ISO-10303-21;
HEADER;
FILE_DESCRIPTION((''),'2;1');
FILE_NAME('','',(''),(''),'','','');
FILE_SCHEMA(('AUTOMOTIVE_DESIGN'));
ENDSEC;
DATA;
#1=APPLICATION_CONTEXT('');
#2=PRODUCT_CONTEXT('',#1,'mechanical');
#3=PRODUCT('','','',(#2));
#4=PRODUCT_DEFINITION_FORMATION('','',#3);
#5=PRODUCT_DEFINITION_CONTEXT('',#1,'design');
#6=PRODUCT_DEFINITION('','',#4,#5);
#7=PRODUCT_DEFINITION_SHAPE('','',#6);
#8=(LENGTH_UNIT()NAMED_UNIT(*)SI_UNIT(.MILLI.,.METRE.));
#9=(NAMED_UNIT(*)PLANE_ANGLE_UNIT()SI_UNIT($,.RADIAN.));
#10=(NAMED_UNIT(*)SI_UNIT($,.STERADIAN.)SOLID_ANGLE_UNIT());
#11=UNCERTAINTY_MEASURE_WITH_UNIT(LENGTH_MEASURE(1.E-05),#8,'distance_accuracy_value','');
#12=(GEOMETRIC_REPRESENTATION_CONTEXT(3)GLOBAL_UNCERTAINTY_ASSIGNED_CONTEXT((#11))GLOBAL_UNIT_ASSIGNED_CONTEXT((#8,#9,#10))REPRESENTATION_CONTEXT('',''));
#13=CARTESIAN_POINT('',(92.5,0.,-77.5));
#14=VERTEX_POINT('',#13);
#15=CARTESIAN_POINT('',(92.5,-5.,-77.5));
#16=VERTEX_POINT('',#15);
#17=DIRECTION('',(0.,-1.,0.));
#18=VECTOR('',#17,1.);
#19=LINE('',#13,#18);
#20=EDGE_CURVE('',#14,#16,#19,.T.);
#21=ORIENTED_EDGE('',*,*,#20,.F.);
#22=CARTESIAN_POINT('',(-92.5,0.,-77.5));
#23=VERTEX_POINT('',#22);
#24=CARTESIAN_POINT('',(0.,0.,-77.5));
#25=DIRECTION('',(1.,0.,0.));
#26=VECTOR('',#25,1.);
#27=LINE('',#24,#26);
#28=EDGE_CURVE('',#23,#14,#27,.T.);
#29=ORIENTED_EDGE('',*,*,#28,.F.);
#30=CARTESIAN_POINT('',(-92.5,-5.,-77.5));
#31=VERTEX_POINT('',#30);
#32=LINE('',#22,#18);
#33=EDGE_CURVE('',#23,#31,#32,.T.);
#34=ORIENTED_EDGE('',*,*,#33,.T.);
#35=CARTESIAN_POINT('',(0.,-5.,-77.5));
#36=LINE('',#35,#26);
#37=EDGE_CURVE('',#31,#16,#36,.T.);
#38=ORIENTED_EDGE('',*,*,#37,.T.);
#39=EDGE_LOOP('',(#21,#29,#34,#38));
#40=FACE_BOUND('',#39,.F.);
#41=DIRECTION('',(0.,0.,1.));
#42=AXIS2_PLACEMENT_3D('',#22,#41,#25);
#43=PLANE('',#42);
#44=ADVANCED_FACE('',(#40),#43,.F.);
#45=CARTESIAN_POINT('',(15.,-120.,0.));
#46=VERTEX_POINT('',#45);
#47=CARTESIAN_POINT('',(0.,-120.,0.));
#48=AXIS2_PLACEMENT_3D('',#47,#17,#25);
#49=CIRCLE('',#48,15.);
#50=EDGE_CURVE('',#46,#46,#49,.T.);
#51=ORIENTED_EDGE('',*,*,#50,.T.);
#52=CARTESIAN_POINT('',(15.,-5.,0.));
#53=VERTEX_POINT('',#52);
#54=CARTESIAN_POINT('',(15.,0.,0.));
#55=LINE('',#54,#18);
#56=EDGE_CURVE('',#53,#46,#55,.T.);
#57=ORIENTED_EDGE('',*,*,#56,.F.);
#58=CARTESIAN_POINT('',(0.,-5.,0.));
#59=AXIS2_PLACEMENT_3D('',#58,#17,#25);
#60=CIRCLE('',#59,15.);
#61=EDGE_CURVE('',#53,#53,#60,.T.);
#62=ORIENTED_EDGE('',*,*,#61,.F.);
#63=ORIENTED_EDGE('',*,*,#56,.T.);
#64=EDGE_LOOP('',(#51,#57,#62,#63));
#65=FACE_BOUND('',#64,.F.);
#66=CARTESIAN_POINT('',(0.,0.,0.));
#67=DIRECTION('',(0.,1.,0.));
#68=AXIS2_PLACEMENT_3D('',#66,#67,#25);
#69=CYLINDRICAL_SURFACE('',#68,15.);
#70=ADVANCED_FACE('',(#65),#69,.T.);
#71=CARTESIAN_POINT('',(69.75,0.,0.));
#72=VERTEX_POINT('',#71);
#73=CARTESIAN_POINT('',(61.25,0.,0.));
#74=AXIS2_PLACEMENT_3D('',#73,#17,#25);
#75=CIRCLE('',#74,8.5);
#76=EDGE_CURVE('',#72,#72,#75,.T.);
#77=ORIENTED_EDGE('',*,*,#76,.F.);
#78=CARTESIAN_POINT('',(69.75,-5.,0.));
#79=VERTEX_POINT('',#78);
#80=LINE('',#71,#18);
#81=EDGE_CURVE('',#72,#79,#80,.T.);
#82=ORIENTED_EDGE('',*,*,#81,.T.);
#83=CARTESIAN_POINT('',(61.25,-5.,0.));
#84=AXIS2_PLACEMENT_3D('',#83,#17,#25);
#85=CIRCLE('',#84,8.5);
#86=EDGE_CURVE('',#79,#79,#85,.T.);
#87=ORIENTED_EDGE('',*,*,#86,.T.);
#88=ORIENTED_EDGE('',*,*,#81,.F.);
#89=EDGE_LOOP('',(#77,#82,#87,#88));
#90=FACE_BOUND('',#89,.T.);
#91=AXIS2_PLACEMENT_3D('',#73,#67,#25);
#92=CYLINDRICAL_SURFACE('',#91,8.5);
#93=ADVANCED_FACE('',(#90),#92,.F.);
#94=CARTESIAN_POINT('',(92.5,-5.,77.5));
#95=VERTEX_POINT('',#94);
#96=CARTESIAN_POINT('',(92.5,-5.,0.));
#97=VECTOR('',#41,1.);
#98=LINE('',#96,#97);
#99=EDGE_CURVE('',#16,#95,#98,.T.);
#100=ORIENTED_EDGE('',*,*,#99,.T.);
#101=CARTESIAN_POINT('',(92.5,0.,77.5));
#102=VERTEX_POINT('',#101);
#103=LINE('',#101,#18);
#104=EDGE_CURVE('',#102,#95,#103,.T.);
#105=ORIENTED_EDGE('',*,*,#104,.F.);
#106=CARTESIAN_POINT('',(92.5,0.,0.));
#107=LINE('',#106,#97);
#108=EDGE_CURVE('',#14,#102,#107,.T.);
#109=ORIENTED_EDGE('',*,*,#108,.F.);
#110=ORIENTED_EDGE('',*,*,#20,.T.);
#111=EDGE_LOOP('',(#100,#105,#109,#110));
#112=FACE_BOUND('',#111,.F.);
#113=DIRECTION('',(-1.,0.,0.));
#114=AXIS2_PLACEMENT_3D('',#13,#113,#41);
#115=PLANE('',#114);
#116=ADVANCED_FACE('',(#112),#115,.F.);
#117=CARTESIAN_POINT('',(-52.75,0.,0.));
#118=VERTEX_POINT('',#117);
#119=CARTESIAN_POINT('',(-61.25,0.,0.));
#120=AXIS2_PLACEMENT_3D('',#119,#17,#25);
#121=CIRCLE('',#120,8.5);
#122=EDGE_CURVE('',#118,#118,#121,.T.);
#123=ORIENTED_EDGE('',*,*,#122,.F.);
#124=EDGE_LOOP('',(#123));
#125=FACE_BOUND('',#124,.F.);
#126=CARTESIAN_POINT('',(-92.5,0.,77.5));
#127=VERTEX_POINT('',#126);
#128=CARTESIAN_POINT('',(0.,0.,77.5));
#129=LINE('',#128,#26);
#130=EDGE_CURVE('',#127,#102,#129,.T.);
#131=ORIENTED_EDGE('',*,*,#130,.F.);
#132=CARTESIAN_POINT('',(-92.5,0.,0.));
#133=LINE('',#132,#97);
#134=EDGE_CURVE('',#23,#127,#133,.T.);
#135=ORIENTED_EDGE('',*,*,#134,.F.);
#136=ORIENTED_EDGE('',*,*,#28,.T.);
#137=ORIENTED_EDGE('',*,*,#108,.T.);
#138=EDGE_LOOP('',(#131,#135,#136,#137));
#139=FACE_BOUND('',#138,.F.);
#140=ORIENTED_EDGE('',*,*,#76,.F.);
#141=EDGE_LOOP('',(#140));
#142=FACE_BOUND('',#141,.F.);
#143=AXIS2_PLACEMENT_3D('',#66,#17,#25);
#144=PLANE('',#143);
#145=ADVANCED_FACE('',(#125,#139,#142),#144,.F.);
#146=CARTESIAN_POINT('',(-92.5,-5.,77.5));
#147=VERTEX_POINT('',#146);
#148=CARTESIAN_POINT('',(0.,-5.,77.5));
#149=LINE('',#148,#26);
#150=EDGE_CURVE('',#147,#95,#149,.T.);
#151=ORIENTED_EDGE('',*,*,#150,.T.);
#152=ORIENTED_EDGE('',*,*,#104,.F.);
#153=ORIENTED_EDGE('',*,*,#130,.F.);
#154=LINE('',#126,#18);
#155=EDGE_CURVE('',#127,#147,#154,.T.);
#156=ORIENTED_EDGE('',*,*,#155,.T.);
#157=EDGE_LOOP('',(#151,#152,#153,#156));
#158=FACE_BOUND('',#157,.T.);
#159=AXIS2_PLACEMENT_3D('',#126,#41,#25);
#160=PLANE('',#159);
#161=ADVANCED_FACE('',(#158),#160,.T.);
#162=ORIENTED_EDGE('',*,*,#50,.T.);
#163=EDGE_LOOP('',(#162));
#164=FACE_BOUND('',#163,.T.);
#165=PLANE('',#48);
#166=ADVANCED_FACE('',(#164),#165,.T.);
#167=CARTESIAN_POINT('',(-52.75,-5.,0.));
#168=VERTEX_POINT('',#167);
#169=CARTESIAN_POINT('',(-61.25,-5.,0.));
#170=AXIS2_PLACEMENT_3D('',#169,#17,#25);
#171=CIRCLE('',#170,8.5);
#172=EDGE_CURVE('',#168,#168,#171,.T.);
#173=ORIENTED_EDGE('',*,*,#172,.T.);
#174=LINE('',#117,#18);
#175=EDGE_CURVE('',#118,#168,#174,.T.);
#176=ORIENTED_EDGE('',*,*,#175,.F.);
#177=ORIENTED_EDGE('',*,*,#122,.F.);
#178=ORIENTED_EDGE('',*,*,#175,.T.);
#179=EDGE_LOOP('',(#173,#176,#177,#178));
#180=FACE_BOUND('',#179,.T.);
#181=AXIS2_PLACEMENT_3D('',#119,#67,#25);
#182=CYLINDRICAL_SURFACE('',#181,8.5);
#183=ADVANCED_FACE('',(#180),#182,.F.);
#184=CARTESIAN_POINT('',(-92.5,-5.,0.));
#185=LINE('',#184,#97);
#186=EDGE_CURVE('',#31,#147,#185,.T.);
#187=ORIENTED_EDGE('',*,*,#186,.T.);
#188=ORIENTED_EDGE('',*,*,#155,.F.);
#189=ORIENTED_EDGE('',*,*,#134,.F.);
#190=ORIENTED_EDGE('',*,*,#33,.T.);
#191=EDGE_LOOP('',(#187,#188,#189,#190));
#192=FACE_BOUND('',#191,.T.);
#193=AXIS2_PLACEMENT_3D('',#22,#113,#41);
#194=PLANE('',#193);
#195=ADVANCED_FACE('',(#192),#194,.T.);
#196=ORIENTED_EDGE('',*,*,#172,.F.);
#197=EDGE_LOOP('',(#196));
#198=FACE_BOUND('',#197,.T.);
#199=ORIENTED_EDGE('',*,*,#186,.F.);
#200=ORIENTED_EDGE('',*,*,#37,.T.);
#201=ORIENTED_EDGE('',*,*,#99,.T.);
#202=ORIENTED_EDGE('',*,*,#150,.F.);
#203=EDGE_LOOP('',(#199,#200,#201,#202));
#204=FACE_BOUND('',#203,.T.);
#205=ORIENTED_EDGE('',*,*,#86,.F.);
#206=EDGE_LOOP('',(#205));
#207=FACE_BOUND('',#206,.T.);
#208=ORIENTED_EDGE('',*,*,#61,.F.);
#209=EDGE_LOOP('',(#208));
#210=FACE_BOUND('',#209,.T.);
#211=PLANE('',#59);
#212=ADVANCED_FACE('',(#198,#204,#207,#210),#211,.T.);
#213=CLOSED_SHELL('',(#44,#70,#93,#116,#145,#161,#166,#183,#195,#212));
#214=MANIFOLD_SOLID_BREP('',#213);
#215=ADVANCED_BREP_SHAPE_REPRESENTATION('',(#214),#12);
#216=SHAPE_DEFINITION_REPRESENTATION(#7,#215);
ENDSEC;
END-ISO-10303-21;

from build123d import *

# Parameters (mm, degrees)
F0_R     = 15
F1_DEPTH = 120
F0_W     = 185
F0_H     = 155
F0_R_2   = 8.5
F2_DEPTH = 5


with BuildPart() as f1:
    # F0 (on Front) → F1 (new body)
    with BuildSketch(Plane.XZ):
        Circle(F0_R)
    extrude(amount=F1_DEPTH)

    # F0 (on Front) → F2 (join)
    with BuildSketch(Plane.XZ):
        Rectangle(F0_W, F0_H)
        with Locations((-61.25, 0)):
            Circle(F0_R_2, mode=Mode.SUBTRACT)
        Circle(F0_R, mode=Mode.SUBTRACT)
        with Locations((61.25, 0)):
            Circle(F0_R_2, mode=Mode.SUBTRACT)
    extrude(amount=F2_DEPTH)


solid = f1.part
